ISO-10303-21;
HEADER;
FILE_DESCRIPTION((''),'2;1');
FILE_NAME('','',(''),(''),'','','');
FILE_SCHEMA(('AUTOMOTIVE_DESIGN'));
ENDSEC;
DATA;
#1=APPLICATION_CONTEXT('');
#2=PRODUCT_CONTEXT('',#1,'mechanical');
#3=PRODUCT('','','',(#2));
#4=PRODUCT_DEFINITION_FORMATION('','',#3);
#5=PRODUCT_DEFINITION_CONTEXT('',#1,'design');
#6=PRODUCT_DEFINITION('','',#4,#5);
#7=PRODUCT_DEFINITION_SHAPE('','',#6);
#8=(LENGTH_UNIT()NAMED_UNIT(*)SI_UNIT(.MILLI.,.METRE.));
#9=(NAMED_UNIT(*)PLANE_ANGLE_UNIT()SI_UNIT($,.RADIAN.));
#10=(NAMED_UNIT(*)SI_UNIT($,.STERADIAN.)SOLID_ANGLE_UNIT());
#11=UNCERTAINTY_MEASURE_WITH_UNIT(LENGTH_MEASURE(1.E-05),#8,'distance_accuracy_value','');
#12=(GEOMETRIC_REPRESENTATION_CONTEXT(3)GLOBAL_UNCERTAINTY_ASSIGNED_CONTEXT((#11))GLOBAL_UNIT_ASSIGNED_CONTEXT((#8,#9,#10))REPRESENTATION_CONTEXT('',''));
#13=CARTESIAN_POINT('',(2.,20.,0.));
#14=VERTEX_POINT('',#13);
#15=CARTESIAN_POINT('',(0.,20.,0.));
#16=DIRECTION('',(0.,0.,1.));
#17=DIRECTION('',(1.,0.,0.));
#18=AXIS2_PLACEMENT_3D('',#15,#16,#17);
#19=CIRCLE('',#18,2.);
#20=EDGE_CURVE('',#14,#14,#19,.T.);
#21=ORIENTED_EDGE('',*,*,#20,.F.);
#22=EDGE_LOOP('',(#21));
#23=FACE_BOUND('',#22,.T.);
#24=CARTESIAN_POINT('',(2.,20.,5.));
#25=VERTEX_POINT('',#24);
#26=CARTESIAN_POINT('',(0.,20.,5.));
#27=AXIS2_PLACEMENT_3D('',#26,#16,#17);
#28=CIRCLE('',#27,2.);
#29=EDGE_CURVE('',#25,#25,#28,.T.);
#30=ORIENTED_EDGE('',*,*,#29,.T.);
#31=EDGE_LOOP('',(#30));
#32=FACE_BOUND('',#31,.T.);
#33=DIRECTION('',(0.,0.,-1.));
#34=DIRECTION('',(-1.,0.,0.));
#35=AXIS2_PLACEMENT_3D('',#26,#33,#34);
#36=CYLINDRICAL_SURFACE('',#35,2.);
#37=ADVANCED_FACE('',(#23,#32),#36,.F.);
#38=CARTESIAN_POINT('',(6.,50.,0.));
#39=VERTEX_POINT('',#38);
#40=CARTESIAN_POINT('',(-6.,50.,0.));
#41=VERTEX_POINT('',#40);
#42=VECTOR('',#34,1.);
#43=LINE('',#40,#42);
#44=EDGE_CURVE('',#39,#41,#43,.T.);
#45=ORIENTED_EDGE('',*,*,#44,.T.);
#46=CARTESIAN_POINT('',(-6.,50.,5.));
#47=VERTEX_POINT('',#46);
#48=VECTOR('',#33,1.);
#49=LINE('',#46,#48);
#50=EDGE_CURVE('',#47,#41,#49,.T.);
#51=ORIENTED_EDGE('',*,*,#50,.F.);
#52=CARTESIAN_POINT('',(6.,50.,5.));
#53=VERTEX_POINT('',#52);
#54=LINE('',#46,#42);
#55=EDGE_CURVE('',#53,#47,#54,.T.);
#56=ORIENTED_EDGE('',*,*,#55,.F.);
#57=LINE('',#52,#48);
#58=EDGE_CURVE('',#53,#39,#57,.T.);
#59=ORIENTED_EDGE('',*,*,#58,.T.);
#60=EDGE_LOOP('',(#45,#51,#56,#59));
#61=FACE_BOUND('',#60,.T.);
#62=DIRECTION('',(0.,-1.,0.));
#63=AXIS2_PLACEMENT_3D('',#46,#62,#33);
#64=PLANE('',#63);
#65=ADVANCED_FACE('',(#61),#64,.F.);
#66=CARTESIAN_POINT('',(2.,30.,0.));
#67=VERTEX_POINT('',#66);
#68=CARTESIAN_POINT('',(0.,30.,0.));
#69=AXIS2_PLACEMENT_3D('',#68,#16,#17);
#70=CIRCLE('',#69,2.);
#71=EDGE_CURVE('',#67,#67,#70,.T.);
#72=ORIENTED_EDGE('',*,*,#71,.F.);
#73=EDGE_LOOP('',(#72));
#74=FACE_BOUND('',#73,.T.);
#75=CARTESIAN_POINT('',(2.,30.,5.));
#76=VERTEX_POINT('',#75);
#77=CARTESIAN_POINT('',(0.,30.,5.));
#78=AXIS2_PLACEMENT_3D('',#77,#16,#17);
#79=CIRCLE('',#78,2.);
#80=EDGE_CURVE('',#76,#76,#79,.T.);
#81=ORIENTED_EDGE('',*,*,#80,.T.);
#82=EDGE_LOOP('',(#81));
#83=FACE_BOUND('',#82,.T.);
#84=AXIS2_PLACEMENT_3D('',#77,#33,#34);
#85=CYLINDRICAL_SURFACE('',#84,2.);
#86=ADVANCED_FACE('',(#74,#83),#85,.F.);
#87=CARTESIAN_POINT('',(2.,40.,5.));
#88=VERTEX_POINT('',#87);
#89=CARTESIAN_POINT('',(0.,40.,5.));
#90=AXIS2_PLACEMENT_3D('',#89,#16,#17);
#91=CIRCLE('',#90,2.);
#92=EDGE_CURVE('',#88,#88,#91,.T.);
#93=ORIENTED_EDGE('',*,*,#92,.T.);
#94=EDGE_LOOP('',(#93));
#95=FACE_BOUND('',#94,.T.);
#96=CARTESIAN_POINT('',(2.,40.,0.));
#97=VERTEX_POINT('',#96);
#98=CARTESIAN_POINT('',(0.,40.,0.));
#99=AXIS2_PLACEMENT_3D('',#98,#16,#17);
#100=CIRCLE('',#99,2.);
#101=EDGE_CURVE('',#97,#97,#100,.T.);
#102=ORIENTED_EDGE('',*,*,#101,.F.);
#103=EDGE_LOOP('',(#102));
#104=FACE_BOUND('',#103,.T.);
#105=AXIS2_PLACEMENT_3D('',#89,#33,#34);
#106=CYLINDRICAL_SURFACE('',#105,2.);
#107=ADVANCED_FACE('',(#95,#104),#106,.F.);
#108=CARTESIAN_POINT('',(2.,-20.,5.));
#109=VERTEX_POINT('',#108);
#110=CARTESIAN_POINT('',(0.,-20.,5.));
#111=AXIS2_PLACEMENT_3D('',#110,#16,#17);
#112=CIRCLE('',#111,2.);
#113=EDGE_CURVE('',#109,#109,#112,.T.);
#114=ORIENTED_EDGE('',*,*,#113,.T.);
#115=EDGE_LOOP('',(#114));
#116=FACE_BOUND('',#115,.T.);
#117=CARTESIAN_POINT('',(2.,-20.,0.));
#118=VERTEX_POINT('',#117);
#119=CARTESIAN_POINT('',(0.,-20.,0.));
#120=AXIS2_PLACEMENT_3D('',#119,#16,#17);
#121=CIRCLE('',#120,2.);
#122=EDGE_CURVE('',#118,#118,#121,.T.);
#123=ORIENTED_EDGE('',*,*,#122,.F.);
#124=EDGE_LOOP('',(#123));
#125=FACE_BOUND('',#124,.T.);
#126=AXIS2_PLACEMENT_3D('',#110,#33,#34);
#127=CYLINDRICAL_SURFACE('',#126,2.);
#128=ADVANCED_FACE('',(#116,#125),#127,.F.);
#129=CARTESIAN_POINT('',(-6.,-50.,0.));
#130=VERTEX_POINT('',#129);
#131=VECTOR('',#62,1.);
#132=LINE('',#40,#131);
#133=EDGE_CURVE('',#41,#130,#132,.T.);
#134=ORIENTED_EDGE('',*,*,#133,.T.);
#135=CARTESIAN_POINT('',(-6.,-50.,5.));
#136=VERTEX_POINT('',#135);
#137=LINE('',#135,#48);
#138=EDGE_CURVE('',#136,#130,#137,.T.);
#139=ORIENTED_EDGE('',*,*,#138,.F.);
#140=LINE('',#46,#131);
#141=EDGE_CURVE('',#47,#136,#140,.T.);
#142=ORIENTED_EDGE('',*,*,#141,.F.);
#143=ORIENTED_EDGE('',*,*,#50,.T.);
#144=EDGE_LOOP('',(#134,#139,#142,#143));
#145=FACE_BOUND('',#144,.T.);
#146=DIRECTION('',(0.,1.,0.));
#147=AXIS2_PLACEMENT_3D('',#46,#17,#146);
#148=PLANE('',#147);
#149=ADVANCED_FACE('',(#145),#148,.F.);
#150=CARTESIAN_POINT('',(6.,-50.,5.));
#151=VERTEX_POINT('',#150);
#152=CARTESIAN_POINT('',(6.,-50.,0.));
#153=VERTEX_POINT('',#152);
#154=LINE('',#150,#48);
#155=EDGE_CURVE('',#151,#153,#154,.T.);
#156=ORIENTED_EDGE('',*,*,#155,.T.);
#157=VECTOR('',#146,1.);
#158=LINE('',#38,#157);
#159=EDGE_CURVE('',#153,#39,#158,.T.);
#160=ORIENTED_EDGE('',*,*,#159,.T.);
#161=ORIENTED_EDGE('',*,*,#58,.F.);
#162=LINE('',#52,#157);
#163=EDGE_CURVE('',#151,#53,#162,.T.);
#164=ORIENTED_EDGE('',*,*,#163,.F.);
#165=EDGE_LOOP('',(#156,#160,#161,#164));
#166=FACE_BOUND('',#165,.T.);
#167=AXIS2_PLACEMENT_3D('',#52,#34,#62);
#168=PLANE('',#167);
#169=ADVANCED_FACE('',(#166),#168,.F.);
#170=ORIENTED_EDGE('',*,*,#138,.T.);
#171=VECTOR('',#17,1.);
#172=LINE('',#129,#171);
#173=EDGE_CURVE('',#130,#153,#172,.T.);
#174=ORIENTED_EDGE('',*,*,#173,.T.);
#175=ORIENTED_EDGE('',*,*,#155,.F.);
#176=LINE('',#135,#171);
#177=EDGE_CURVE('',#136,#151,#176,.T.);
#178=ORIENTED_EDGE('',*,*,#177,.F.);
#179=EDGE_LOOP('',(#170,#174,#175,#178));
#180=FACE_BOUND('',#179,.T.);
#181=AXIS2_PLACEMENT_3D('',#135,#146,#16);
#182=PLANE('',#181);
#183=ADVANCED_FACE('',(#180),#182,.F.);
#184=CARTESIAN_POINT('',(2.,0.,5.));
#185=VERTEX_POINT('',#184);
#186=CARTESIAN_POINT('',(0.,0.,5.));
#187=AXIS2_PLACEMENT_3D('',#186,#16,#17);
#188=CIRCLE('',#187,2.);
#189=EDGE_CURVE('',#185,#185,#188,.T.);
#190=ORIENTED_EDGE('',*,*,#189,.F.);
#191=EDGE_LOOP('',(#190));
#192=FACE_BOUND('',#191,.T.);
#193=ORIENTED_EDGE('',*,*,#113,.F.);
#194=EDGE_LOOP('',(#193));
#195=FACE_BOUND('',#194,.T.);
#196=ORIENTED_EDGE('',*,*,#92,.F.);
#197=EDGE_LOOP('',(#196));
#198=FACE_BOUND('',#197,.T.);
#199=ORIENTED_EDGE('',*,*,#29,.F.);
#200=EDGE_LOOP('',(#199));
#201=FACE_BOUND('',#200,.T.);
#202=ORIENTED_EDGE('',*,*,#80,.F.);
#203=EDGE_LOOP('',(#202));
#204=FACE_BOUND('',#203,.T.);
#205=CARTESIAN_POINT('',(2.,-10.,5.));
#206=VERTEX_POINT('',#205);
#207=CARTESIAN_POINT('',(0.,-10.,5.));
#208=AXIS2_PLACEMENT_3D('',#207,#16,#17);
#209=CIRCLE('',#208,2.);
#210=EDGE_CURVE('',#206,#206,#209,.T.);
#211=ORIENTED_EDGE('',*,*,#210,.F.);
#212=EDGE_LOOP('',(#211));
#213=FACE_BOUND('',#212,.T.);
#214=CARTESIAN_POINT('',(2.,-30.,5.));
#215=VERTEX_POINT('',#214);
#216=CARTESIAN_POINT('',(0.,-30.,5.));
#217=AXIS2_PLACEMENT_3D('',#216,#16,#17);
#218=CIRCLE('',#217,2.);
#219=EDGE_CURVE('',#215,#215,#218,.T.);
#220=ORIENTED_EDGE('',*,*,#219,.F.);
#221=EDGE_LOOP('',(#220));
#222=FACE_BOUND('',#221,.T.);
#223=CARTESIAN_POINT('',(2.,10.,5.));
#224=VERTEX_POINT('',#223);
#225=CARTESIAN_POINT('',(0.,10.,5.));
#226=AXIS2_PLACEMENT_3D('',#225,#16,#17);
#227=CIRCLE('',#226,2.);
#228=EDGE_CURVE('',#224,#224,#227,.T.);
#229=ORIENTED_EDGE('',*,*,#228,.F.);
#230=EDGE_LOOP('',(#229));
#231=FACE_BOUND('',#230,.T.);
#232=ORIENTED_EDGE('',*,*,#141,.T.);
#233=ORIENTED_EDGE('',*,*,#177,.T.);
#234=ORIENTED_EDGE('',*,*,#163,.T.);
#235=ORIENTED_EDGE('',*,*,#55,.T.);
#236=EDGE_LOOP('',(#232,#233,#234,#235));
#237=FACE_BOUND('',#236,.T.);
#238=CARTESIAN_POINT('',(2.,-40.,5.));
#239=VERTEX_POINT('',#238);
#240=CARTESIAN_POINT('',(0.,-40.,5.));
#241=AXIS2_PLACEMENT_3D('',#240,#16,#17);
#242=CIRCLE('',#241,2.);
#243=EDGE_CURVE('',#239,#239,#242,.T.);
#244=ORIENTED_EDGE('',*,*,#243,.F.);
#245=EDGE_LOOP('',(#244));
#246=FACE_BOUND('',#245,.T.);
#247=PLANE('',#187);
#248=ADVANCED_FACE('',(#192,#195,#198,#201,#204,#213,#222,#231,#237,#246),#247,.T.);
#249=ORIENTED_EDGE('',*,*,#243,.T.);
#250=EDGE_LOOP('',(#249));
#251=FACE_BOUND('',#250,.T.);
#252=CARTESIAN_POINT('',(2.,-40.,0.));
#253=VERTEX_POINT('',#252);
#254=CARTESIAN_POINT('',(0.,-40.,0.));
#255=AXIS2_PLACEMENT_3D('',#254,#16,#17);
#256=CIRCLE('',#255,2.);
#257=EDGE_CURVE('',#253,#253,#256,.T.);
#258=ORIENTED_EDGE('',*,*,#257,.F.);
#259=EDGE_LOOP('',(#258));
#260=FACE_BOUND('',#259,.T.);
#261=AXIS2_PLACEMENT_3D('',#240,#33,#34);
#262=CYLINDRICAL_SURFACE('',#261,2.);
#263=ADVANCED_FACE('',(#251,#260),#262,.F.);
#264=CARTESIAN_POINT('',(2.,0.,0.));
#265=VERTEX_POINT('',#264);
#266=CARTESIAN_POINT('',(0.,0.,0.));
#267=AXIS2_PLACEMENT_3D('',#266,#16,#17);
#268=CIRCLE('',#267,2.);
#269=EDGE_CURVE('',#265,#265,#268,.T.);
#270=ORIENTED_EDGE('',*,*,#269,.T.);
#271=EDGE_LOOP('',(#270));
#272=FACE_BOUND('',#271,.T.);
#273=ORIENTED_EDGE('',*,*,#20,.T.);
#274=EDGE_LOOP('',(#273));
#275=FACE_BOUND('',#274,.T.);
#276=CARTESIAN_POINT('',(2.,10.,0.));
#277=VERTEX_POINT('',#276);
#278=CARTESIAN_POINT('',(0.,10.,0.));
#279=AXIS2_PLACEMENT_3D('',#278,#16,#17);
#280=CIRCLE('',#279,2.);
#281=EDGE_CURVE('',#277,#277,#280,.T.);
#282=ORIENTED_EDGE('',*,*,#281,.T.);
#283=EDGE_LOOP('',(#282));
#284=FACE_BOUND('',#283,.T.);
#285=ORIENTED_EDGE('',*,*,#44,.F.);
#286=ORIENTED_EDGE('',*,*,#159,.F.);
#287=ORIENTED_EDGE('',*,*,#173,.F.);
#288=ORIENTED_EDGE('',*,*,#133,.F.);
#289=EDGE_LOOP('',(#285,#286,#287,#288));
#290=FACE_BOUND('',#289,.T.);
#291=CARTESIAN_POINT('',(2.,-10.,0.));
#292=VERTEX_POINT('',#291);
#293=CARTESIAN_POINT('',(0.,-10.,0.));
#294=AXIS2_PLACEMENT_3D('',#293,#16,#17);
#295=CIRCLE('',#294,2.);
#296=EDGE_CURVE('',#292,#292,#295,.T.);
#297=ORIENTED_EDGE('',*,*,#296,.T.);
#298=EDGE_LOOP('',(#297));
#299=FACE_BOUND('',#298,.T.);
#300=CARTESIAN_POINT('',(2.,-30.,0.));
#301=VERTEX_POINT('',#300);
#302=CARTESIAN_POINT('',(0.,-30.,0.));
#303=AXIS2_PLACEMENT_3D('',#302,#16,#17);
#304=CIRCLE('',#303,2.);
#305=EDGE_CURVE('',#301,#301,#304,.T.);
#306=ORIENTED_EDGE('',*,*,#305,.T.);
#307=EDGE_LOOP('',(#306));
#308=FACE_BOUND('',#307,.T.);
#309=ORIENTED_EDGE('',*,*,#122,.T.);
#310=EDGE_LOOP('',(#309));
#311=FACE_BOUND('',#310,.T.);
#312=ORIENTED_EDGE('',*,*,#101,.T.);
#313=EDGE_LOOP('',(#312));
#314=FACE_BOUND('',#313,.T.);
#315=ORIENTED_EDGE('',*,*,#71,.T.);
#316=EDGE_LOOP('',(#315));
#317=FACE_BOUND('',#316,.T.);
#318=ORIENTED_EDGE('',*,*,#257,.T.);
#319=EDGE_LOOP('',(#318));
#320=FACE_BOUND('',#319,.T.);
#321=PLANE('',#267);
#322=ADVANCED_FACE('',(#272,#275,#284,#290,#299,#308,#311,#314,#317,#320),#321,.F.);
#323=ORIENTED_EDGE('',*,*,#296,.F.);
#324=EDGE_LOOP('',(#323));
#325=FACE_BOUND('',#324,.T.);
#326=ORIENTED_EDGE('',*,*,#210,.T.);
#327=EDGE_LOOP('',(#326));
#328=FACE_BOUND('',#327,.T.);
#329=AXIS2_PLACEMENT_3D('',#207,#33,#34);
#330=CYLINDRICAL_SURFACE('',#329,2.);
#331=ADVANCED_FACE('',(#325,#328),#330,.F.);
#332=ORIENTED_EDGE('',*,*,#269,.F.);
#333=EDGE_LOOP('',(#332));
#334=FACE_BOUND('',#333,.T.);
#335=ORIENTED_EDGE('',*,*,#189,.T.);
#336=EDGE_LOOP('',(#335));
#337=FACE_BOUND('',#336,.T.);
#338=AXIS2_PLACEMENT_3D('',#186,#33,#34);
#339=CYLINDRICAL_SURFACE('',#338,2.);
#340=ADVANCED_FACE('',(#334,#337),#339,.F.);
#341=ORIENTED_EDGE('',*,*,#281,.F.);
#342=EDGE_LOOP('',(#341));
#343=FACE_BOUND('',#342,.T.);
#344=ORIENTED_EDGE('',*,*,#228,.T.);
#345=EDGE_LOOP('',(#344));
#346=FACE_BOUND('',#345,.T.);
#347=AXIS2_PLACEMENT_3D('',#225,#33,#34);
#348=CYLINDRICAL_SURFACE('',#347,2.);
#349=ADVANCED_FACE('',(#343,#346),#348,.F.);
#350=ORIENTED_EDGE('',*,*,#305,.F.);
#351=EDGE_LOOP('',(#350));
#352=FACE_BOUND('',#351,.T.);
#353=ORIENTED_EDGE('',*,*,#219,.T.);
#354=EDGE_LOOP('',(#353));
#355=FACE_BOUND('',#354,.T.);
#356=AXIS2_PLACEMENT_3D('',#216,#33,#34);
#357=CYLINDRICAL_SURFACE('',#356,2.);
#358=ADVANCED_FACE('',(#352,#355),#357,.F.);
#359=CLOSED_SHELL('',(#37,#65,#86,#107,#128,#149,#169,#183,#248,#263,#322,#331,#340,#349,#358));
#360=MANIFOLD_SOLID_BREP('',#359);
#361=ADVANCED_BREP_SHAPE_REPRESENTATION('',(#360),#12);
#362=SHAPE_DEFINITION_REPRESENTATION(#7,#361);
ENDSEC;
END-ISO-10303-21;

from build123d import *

# Parameters (mm, degrees)
SKETCH1_W           = 12
SKETCH1_H           = 100
SKETCH1_R           = 2
BOSS_EXTRUDE1_DEPTH = 5


with BuildPart() as part:
    # Sketch1 → Boss-Extrude1 (new body)
    with BuildSketch(Plane.XY):
        Rectangle(SKETCH1_W, SKETCH1_H)
        Circle(SKETCH1_R, mode=Mode.SUBTRACT)
        with Locations((0, 10)):
            Circle(SKETCH1_R, mode=Mode.SUBTRACT)
        with Locations((0, 20)):
            Circle(SKETCH1_R, mode=Mode.SUBTRACT)
        with Locations((0, 30)):
            Circle(SKETCH1_R, mode=Mode.SUBTRACT)
        with Locations((0, 40)):
            Circle(SKETCH1_R, mode=Mode.SUBTRACT)
        with Locations((0, -10)):
            Circle(SKETCH1_R, mode=Mode.SUBTRACT)
        with Locations((0, -20)):
            Circle(SKETCH1_R, mode=Mode.SUBTRACT)
        with Locations((0, -30)):
            Circle(SKETCH1_R, mode=Mode.SUBTRACT)
        with Locations((0, -40)):
            Circle(SKETCH1_R, mode=Mode.SUBTRACT)
    extrude(amount=BOSS_EXTRUDE1_DEPTH)


solid = part.part
